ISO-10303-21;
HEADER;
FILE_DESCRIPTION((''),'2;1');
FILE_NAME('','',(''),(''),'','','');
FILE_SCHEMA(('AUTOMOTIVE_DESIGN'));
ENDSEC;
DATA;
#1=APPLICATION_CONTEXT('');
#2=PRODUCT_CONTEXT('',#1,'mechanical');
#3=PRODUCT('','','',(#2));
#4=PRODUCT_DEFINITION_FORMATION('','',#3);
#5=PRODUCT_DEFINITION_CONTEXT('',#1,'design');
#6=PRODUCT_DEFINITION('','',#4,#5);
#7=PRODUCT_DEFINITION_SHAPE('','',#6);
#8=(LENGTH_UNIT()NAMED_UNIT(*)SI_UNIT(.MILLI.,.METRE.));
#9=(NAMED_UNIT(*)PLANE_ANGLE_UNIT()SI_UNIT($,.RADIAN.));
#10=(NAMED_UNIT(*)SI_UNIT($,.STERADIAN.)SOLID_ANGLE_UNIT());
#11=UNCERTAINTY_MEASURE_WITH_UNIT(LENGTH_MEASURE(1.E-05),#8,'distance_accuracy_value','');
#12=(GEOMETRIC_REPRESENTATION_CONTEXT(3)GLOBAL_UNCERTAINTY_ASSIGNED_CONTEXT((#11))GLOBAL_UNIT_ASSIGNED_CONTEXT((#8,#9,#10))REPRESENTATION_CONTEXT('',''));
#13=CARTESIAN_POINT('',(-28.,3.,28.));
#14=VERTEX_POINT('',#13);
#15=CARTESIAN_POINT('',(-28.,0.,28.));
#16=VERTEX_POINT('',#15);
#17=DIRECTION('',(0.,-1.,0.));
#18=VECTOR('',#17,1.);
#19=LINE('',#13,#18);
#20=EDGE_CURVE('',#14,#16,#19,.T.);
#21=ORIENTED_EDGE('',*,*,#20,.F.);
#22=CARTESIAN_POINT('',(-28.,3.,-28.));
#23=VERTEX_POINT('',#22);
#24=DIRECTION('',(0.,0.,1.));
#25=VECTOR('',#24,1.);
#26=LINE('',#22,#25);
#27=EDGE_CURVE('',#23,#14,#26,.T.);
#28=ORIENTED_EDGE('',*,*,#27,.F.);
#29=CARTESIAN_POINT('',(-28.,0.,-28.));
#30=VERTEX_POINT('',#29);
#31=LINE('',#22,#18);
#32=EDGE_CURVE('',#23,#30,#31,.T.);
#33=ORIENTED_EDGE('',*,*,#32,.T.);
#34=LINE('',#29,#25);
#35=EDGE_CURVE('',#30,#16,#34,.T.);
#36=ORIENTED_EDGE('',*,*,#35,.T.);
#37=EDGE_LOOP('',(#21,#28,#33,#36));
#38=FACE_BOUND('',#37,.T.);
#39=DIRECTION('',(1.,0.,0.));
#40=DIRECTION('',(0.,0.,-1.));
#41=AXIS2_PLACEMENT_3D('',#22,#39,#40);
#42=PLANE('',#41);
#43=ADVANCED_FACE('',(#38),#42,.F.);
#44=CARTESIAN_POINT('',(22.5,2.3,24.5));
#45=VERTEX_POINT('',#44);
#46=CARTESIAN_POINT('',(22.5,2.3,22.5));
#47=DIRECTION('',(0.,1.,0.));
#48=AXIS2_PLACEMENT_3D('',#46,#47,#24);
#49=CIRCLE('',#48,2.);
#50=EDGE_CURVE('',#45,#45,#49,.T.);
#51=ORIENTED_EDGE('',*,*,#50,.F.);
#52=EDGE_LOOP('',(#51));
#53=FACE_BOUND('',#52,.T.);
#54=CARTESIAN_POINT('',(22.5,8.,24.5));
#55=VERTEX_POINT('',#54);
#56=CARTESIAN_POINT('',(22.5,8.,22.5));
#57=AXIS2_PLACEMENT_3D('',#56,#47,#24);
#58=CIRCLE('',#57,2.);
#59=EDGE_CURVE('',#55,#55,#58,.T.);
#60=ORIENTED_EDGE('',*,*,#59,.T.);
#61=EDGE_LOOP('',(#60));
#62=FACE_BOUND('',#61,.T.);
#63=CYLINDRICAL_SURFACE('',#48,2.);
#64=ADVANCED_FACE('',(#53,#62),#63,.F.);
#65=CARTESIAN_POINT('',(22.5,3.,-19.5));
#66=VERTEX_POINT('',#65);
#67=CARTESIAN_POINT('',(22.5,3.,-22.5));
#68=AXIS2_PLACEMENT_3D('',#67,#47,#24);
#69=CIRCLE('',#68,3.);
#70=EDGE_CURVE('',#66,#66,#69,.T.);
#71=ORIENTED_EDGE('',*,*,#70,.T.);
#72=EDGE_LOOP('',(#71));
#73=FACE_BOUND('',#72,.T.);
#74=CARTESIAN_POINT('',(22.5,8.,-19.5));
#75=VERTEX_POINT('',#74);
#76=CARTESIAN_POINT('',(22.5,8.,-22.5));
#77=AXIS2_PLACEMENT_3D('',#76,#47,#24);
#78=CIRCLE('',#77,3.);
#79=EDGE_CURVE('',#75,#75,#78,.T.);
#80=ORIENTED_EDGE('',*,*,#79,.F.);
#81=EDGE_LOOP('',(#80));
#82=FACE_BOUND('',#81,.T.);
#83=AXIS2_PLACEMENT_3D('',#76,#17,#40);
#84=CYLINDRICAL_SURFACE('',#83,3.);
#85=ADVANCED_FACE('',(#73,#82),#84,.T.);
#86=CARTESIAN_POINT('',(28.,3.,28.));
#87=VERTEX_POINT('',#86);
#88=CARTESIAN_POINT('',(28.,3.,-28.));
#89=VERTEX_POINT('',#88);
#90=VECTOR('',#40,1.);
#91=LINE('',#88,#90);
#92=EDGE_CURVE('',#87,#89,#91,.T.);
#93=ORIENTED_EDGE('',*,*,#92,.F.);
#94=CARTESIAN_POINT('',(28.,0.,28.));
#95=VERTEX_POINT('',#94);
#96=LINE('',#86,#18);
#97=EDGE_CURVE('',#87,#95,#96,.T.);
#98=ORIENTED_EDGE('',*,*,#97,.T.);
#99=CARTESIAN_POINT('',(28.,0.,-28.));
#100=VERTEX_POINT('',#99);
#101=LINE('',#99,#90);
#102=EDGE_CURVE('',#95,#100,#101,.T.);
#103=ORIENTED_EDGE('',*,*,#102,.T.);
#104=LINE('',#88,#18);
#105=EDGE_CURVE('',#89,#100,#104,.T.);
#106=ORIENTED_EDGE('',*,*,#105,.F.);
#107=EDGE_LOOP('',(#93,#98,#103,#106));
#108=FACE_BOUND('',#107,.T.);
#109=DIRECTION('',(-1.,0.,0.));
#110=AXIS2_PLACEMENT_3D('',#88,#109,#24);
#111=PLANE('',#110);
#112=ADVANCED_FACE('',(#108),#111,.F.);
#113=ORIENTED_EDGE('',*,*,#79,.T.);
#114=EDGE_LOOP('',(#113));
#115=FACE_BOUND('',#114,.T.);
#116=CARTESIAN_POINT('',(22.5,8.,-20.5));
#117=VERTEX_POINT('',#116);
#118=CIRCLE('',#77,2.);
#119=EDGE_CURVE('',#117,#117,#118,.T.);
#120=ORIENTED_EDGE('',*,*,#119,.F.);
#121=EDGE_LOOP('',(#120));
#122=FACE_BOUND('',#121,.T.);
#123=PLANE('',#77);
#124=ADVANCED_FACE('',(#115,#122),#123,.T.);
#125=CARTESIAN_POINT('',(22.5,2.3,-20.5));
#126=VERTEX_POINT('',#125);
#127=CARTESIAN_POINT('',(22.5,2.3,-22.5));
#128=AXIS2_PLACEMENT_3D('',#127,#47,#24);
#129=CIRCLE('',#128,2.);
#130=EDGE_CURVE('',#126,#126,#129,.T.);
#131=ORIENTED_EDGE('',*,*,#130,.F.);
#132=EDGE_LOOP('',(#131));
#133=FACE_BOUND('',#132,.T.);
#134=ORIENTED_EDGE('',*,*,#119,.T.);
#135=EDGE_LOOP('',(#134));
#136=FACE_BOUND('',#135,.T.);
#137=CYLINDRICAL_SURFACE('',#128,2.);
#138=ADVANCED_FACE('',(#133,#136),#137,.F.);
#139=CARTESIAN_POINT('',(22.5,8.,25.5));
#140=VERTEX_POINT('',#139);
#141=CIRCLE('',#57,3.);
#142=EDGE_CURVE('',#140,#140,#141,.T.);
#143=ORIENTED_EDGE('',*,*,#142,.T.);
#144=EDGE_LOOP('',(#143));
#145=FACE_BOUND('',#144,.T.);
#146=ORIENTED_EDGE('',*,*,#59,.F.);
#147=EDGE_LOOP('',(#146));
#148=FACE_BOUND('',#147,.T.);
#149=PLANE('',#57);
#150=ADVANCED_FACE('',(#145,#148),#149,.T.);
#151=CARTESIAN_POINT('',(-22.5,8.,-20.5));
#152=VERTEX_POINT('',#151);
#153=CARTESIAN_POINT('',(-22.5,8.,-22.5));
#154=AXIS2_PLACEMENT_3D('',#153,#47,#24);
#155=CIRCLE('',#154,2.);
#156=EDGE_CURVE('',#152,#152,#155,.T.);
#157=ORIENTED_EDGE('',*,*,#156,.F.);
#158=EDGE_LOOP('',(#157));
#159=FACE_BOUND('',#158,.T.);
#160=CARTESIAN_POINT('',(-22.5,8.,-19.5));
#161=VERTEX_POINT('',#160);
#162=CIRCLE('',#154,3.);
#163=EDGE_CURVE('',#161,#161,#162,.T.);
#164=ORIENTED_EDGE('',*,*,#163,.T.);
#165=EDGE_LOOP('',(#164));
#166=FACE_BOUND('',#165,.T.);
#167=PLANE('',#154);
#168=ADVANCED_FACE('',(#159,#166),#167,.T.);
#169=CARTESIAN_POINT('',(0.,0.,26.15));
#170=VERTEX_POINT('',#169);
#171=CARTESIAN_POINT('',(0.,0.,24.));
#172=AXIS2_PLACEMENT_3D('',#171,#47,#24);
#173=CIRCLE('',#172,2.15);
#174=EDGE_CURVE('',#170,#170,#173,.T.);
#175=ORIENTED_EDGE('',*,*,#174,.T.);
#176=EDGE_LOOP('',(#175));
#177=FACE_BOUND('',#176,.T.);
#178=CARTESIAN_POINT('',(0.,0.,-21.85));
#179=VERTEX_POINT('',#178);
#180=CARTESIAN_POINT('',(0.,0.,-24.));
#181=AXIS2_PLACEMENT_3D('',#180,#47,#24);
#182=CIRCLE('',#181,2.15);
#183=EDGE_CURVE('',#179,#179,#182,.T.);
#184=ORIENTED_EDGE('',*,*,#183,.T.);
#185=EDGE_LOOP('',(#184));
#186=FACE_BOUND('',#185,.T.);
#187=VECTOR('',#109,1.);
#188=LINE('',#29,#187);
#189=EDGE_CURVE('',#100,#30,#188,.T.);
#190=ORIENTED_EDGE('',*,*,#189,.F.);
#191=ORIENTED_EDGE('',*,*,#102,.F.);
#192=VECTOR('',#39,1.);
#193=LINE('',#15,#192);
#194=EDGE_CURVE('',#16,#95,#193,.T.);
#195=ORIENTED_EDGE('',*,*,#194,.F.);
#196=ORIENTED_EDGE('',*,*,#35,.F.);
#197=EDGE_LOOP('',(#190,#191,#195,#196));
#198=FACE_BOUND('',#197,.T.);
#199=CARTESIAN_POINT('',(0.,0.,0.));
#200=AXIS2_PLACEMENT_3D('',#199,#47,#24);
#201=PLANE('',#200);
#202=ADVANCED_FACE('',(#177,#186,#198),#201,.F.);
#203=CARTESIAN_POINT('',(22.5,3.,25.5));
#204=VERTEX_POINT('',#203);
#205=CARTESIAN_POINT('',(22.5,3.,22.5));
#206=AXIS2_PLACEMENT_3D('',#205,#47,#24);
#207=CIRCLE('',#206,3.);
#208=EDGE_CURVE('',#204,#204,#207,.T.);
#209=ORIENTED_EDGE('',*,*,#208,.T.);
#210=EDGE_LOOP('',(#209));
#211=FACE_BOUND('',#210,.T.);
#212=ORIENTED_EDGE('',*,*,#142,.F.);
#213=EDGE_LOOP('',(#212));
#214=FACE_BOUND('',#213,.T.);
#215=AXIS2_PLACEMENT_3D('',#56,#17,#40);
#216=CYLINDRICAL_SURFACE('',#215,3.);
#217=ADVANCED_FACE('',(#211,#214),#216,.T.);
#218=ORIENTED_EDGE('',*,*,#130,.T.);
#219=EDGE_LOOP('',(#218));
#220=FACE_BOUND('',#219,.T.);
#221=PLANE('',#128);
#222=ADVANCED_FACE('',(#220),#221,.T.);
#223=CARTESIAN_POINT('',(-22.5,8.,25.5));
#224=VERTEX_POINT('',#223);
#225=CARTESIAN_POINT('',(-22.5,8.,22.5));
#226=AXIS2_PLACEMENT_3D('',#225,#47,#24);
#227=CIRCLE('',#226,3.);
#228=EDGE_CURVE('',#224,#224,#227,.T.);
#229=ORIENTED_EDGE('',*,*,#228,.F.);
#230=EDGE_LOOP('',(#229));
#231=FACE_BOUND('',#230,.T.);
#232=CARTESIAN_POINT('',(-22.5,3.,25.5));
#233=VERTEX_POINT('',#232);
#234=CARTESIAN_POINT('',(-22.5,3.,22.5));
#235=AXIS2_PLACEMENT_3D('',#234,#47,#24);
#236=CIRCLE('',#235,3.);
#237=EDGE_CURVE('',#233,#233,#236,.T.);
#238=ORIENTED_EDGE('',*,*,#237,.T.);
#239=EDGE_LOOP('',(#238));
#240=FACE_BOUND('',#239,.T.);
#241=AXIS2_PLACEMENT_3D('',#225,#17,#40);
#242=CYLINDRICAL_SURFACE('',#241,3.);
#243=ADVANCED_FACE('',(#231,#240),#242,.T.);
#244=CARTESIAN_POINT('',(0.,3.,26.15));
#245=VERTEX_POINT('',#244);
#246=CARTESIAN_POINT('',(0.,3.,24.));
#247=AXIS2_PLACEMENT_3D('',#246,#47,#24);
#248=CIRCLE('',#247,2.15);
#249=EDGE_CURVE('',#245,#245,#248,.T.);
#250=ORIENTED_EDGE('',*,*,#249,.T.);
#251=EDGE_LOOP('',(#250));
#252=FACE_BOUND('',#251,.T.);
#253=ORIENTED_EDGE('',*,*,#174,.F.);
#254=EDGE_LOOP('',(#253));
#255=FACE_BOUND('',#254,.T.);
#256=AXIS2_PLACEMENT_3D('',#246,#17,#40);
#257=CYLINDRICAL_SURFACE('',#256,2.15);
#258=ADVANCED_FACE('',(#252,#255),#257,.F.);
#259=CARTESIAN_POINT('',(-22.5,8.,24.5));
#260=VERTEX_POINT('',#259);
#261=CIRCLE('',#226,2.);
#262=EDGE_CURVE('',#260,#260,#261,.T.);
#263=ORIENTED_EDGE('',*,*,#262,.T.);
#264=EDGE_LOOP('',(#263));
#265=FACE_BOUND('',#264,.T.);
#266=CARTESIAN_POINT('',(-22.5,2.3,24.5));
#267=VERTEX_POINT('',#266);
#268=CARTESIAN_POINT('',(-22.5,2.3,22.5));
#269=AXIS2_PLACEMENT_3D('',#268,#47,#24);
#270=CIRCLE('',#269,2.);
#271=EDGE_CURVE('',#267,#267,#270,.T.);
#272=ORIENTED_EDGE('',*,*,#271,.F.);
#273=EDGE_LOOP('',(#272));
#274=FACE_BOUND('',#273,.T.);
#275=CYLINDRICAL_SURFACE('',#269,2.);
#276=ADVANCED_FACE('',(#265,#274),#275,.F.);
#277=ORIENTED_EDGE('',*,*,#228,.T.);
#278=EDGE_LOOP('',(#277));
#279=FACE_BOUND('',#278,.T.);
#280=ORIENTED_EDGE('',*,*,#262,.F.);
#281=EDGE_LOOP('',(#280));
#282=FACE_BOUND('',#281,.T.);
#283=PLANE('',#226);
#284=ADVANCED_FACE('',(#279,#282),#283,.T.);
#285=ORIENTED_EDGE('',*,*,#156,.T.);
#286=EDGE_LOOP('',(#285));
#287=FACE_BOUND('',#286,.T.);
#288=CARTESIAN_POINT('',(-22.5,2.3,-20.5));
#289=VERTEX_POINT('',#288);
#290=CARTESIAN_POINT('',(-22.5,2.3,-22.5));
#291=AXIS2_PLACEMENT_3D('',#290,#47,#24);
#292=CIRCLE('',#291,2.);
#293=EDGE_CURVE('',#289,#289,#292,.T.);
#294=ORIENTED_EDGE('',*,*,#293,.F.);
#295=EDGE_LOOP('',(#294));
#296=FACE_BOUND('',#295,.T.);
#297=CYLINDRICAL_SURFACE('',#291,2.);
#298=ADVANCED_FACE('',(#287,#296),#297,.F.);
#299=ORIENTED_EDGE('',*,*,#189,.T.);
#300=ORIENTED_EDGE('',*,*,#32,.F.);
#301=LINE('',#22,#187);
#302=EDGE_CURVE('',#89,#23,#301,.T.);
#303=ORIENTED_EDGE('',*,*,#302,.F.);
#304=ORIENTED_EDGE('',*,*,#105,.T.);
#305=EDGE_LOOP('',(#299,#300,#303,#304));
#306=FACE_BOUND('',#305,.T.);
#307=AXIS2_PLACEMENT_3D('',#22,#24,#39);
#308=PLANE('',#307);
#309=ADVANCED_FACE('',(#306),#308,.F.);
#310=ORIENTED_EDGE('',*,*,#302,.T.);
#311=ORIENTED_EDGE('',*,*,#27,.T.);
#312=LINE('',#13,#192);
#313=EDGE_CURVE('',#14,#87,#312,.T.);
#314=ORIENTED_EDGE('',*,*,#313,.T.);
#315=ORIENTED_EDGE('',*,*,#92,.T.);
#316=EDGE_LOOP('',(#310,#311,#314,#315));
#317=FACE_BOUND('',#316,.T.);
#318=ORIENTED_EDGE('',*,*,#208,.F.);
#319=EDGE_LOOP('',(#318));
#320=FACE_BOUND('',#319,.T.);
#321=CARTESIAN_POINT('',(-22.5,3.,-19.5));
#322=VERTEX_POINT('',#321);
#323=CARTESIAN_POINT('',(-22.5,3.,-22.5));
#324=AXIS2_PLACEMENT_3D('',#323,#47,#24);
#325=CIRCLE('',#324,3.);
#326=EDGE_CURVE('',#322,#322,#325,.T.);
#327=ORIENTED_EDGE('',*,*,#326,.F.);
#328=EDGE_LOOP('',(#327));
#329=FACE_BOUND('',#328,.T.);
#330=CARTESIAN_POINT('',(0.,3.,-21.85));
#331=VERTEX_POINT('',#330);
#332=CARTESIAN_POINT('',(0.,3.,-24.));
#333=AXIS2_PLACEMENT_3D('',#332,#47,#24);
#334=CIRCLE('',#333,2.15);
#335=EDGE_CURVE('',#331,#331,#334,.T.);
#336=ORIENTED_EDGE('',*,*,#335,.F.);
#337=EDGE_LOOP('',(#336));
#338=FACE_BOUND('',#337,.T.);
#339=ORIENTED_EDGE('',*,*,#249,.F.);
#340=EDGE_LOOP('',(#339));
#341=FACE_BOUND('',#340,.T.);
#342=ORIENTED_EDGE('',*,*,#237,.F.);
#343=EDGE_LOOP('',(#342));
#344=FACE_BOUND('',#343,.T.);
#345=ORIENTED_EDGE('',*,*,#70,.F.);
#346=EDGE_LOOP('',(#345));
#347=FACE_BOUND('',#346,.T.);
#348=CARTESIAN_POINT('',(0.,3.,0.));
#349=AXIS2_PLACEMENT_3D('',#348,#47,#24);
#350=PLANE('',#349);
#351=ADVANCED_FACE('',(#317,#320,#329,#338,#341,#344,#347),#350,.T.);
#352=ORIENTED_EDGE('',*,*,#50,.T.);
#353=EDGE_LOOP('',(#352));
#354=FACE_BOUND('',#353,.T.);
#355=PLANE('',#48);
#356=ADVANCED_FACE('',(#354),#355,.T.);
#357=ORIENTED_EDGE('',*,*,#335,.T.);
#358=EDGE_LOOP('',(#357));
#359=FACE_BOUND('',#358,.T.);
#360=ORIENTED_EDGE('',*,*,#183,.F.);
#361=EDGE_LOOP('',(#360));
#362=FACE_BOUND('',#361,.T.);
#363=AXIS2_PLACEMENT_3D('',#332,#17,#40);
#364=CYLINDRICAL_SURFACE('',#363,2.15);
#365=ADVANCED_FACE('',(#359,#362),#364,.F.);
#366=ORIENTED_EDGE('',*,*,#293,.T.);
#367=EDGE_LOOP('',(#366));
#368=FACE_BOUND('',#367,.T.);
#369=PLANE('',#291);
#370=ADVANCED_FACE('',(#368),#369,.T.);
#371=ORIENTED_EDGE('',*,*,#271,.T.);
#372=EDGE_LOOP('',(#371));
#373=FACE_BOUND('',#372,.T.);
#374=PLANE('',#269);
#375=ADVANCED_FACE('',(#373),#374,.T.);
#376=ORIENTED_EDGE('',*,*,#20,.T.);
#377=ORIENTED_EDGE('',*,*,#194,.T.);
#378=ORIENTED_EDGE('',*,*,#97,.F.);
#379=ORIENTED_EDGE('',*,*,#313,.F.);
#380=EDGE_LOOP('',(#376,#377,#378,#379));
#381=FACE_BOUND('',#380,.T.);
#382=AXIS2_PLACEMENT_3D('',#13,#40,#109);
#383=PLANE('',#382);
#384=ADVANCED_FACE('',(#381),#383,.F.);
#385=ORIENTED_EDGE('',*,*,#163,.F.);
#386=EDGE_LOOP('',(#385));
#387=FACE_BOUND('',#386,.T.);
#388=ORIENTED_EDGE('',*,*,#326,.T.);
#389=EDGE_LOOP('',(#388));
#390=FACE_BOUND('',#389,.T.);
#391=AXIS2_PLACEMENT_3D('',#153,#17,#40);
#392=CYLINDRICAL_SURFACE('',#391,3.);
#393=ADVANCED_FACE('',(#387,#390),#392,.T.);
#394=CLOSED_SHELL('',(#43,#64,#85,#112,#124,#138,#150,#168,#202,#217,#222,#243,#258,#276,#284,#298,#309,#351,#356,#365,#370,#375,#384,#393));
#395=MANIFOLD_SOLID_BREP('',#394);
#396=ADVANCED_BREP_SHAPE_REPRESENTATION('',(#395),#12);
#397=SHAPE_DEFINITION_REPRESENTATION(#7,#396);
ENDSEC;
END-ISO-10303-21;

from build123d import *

# Parameters (mm, degrees)
SK_PLATE_W           = 56
SK_PLATE_H           = 56
EX_PLATE_DEPTH       = 3
SK_STANDOFFS_R       = 3
EX_STANDOFFS_DEPTH   = 5
SK_INSERTS_M3_R      = 2
CUT_INSERTS_M3_DEPTH = 5.7
SK_PANHOLES_R        = 2.15
CUT_PANHOLES_DEPTH   = 3


with BuildPart() as part:
    # SK_Plate → EX_Plate (new body)
    with BuildSketch(Plane(origin=(0, 0, 0), x_dir=(1, 0, 0), z_dir=(0, 1, 0))):
        Rectangle(SK_PLATE_W, SK_PLATE_H)
    extrude(amount=EX_PLATE_DEPTH)

    # SK_Standoffs → EX_Standoffs (add)
    with BuildSketch(Plane(origin=(0, 3, 0), x_dir=(1, 0, 0), z_dir=(0, 1, 0))):
        with Locations((22.5, -22.5)):
            Circle(SK_STANDOFFS_R)
        with Locations((-22.5, -22.5)):
            Circle(SK_STANDOFFS_R)
        with Locations((22.5, 22.5)):
            Circle(SK_STANDOFFS_R)
        with Locations((-22.5, 22.5)):
            Circle(SK_STANDOFFS_R)
    extrude(amount=EX_STANDOFFS_DEPTH)

    # SK_Inserts_M3 → CUT_Inserts_M3 (cut)
    with BuildSketch(Plane(origin=(0, 8, 0), x_dir=(1, 0, 0), z_dir=(0, 1, 0))):
        with Locations((22.5, -22.5)):
            Circle(SK_INSERTS_M3_R)
        with Locations((-22.5, -22.5)):
            Circle(SK_INSERTS_M3_R)
        with Locations((22.5, 22.5)):
            Circle(SK_INSERTS_M3_R)
        with Locations((-22.5, 22.5)):
            Circle(SK_INSERTS_M3_R)
    extrude(amount=-CUT_INSERTS_M3_DEPTH, mode=Mode.SUBTRACT)

    # SK_PanHoles → CUT_PanHoles (cut)
    with BuildSketch(Plane(origin=(0, 0, 0), x_dir=(1, 0, 0), z_dir=(0, 1, 0))):
        with Locations((0, -24)):
            Circle(SK_PANHOLES_R)
        with Locations((0, 24)):
            Circle(SK_PANHOLES_R)
    extrude(amount=CUT_PANHOLES_DEPTH, mode=Mode.SUBTRACT)


solid = part.part
